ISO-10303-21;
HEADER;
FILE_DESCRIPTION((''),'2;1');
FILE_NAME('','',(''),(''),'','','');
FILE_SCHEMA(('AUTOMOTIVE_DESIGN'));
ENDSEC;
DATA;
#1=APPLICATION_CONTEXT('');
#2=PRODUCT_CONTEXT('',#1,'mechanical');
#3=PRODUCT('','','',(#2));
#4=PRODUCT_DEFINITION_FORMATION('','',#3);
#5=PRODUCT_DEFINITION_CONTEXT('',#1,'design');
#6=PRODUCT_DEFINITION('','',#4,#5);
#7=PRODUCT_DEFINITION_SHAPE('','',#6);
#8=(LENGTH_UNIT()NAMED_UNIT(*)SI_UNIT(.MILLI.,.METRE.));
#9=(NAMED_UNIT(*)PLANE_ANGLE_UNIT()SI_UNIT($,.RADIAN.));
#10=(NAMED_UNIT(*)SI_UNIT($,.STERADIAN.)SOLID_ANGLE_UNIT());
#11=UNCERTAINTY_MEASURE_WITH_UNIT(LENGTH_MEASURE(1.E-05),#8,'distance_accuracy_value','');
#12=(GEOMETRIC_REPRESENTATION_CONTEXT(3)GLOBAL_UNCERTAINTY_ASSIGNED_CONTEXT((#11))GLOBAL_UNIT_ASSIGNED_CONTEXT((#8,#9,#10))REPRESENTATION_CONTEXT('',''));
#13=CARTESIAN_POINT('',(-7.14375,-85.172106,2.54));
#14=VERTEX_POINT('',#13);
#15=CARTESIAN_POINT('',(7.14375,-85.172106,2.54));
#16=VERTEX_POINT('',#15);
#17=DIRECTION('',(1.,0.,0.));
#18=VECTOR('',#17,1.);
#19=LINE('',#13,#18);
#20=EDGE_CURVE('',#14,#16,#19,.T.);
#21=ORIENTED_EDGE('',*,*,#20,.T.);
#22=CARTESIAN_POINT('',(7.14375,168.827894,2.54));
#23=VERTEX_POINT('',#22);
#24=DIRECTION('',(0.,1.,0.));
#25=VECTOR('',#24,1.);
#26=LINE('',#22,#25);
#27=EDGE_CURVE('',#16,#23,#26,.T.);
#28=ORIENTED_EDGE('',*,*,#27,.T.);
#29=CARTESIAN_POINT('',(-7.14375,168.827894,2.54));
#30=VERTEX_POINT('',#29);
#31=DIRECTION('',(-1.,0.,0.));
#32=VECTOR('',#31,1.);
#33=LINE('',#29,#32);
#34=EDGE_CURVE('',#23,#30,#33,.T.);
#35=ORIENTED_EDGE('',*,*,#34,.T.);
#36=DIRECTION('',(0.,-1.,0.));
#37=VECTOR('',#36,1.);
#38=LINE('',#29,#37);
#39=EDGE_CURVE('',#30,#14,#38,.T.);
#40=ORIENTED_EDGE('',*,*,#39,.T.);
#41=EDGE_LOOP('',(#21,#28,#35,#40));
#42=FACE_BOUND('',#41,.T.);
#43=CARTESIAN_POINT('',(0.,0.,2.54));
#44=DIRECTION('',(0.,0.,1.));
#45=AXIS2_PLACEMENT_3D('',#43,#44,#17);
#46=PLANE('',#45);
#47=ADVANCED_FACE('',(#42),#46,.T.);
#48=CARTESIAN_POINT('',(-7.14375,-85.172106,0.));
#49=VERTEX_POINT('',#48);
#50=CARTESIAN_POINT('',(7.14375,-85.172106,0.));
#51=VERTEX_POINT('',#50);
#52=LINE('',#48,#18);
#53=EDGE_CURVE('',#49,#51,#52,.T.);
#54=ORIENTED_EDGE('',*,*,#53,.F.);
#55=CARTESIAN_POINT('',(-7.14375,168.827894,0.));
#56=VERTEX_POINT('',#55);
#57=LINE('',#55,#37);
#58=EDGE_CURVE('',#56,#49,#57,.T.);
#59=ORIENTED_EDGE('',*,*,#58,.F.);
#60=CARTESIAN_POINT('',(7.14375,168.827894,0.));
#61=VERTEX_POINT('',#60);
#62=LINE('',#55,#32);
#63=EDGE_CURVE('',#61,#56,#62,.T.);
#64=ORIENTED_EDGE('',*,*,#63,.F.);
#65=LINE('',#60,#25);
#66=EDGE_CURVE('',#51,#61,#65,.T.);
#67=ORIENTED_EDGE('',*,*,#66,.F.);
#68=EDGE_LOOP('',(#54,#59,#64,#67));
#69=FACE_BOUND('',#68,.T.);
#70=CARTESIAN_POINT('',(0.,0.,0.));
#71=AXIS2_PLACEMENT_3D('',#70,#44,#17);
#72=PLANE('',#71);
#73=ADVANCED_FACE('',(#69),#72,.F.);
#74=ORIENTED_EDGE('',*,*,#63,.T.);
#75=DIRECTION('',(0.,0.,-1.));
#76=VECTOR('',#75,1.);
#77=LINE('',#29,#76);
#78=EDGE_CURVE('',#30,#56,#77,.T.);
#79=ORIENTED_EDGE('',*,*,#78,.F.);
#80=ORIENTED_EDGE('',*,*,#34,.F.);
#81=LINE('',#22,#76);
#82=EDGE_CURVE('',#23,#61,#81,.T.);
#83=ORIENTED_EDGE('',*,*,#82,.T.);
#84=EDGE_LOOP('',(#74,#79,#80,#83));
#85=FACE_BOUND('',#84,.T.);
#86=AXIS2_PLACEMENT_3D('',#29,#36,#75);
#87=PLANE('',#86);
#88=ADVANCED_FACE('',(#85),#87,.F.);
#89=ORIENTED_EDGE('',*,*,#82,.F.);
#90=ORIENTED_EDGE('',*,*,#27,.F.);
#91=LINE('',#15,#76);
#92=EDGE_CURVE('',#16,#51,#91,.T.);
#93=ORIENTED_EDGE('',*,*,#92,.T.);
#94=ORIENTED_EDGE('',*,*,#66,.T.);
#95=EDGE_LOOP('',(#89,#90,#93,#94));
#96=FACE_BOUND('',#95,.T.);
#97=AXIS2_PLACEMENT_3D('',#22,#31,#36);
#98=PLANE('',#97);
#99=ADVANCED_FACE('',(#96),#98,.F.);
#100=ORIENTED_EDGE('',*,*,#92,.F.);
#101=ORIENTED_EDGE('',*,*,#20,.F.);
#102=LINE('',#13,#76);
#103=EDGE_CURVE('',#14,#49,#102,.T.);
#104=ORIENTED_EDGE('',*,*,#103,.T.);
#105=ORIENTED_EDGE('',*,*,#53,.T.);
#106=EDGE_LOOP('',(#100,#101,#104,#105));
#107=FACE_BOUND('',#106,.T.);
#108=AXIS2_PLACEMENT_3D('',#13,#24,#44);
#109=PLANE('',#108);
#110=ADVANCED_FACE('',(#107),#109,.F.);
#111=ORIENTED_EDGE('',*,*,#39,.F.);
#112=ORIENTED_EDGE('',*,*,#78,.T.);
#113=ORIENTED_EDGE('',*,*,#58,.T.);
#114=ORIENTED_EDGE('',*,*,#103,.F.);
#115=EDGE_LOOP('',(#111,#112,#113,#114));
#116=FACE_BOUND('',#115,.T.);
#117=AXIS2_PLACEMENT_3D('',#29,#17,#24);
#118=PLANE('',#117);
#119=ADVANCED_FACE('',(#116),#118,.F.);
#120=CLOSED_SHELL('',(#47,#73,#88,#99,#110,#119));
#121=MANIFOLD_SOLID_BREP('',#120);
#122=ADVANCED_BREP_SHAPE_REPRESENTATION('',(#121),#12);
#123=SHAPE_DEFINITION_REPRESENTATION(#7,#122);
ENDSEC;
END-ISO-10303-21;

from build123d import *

# Parameters (mm, degrees)
SKETCH2_W           = 14.2875
SKETCH2_H           = 254
BOSS_EXTRUDE1_DEPTH = 2.54


with BuildPart() as part:
    # Sketch2 → Boss-Extrude1 (new body)
    with BuildSketch(Plane.XY):
        with Locations((0, 41.827893901)):
            Rectangle(SKETCH2_W, SKETCH2_H)
    extrude(amount=BOSS_EXTRUDE1_DEPTH)


solid = part.part
